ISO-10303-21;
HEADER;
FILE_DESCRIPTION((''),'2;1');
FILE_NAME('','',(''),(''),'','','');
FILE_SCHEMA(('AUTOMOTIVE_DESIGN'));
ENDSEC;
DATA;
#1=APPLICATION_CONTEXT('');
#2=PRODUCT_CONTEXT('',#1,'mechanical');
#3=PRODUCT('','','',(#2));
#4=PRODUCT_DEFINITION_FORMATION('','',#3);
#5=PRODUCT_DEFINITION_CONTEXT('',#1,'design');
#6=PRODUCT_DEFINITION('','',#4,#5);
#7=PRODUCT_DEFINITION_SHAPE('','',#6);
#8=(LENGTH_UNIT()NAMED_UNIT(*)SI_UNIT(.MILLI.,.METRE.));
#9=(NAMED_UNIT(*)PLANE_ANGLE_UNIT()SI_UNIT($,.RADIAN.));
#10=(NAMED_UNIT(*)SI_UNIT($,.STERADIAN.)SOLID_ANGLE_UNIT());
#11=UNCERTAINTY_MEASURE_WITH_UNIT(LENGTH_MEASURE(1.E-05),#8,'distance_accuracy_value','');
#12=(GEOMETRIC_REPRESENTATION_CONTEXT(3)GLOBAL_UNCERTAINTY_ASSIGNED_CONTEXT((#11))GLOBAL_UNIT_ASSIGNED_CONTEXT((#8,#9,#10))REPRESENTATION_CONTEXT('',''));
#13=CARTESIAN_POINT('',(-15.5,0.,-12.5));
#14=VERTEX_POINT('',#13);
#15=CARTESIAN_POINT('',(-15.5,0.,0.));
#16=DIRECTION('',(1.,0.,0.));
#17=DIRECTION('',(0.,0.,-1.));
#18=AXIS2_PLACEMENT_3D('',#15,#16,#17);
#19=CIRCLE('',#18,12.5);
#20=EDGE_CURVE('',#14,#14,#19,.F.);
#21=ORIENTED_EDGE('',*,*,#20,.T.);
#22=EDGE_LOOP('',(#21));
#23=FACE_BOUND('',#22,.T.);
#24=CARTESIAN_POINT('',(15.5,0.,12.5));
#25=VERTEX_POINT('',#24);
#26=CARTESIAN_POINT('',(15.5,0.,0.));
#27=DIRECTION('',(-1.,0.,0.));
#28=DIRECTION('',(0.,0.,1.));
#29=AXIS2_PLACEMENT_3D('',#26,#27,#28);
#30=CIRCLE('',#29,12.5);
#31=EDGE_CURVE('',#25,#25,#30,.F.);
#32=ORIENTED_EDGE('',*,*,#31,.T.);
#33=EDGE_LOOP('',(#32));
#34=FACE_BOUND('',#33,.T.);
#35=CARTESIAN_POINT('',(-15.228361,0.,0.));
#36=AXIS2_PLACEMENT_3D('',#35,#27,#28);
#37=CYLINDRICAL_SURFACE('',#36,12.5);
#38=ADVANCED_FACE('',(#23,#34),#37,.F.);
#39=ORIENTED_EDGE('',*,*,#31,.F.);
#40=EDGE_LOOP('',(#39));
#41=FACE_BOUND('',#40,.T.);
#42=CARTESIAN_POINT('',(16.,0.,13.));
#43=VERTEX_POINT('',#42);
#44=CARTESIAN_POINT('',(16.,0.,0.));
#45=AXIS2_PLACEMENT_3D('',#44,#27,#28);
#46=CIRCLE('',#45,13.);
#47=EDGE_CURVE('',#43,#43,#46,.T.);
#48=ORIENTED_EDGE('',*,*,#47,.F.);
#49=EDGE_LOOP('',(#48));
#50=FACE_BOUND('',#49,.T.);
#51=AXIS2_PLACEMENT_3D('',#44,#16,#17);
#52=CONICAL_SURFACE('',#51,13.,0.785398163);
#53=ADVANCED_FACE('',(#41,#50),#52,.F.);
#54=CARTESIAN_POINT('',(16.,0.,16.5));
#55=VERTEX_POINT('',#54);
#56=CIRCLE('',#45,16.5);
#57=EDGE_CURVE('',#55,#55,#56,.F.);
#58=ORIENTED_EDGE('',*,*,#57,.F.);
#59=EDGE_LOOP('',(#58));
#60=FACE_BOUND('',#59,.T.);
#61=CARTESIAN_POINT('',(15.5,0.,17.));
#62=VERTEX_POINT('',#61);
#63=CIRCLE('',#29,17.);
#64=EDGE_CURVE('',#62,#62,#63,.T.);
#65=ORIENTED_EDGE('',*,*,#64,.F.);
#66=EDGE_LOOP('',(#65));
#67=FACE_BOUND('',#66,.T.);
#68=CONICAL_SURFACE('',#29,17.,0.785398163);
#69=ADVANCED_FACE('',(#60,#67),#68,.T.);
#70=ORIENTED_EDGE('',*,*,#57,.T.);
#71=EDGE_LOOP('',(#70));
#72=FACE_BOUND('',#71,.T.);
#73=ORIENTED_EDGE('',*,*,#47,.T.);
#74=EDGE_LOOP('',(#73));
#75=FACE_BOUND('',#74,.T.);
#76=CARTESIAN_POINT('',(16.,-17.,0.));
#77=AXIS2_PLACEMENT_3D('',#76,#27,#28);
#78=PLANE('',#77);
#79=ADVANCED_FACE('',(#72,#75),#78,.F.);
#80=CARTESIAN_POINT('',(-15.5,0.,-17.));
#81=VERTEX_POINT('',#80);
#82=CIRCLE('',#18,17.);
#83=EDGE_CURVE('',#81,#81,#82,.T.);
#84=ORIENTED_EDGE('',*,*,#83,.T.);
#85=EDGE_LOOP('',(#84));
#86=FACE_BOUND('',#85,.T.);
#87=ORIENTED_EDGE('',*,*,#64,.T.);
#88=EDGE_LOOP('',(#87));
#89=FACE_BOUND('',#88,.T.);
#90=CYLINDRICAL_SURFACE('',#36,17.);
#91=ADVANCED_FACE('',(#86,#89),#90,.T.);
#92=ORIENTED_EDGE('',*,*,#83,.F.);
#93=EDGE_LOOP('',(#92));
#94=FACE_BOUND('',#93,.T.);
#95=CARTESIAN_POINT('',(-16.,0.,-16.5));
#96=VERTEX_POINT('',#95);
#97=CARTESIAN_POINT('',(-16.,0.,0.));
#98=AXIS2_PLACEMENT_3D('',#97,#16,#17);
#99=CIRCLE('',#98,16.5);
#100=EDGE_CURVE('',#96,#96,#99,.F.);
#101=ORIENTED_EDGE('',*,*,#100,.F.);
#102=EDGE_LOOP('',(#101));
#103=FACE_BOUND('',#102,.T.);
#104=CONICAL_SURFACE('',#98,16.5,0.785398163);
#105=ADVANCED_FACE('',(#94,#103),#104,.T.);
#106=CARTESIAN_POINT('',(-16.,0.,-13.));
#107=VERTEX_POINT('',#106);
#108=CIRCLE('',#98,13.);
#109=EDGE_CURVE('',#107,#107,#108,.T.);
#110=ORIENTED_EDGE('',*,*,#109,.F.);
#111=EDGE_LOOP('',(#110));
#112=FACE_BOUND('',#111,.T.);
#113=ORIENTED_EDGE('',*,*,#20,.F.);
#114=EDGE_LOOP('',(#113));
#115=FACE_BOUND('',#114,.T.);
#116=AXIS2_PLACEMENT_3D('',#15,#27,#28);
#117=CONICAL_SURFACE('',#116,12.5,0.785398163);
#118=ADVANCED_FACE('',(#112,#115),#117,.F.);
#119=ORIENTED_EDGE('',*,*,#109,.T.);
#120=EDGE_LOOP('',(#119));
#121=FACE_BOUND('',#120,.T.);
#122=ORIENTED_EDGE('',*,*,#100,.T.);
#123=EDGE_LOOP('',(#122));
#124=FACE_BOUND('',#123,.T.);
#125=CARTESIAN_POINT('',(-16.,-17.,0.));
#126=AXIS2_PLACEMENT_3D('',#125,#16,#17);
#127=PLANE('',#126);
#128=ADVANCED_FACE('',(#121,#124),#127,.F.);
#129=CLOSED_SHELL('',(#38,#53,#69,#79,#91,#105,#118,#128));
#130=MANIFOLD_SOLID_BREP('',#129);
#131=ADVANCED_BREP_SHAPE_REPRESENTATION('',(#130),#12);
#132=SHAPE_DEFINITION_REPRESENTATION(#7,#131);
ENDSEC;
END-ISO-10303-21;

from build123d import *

# Parameters (mm, degrees)
SKETCH_1_W     = 32
SKETCH_1_H     = 4.5
CHAMFER_1_SIZE = 0.5


with BuildPart() as part:
    # Эскиз1 → Повернуть1 (revolve)
    with BuildSketch(Plane.XY):
        with Locations((0, 14.75)):
            Rectangle(SKETCH_1_W, SKETCH_1_H)
    revolve(axis=Axis((-15.228360675, 0, 0), (1, 0, 0)))

    # Фаска1
    chamfer_1_edges = [part.edges().sort_by_distance(p)[0] for p in [
        (-16, -12.5, 0),
        (-16, -17, 0),
        (16, -17, 0),
        (16, -12.5, 0),
    ]]
    chamfer(chamfer_1_edges, length=CHAMFER_1_SIZE)


solid = part.part
